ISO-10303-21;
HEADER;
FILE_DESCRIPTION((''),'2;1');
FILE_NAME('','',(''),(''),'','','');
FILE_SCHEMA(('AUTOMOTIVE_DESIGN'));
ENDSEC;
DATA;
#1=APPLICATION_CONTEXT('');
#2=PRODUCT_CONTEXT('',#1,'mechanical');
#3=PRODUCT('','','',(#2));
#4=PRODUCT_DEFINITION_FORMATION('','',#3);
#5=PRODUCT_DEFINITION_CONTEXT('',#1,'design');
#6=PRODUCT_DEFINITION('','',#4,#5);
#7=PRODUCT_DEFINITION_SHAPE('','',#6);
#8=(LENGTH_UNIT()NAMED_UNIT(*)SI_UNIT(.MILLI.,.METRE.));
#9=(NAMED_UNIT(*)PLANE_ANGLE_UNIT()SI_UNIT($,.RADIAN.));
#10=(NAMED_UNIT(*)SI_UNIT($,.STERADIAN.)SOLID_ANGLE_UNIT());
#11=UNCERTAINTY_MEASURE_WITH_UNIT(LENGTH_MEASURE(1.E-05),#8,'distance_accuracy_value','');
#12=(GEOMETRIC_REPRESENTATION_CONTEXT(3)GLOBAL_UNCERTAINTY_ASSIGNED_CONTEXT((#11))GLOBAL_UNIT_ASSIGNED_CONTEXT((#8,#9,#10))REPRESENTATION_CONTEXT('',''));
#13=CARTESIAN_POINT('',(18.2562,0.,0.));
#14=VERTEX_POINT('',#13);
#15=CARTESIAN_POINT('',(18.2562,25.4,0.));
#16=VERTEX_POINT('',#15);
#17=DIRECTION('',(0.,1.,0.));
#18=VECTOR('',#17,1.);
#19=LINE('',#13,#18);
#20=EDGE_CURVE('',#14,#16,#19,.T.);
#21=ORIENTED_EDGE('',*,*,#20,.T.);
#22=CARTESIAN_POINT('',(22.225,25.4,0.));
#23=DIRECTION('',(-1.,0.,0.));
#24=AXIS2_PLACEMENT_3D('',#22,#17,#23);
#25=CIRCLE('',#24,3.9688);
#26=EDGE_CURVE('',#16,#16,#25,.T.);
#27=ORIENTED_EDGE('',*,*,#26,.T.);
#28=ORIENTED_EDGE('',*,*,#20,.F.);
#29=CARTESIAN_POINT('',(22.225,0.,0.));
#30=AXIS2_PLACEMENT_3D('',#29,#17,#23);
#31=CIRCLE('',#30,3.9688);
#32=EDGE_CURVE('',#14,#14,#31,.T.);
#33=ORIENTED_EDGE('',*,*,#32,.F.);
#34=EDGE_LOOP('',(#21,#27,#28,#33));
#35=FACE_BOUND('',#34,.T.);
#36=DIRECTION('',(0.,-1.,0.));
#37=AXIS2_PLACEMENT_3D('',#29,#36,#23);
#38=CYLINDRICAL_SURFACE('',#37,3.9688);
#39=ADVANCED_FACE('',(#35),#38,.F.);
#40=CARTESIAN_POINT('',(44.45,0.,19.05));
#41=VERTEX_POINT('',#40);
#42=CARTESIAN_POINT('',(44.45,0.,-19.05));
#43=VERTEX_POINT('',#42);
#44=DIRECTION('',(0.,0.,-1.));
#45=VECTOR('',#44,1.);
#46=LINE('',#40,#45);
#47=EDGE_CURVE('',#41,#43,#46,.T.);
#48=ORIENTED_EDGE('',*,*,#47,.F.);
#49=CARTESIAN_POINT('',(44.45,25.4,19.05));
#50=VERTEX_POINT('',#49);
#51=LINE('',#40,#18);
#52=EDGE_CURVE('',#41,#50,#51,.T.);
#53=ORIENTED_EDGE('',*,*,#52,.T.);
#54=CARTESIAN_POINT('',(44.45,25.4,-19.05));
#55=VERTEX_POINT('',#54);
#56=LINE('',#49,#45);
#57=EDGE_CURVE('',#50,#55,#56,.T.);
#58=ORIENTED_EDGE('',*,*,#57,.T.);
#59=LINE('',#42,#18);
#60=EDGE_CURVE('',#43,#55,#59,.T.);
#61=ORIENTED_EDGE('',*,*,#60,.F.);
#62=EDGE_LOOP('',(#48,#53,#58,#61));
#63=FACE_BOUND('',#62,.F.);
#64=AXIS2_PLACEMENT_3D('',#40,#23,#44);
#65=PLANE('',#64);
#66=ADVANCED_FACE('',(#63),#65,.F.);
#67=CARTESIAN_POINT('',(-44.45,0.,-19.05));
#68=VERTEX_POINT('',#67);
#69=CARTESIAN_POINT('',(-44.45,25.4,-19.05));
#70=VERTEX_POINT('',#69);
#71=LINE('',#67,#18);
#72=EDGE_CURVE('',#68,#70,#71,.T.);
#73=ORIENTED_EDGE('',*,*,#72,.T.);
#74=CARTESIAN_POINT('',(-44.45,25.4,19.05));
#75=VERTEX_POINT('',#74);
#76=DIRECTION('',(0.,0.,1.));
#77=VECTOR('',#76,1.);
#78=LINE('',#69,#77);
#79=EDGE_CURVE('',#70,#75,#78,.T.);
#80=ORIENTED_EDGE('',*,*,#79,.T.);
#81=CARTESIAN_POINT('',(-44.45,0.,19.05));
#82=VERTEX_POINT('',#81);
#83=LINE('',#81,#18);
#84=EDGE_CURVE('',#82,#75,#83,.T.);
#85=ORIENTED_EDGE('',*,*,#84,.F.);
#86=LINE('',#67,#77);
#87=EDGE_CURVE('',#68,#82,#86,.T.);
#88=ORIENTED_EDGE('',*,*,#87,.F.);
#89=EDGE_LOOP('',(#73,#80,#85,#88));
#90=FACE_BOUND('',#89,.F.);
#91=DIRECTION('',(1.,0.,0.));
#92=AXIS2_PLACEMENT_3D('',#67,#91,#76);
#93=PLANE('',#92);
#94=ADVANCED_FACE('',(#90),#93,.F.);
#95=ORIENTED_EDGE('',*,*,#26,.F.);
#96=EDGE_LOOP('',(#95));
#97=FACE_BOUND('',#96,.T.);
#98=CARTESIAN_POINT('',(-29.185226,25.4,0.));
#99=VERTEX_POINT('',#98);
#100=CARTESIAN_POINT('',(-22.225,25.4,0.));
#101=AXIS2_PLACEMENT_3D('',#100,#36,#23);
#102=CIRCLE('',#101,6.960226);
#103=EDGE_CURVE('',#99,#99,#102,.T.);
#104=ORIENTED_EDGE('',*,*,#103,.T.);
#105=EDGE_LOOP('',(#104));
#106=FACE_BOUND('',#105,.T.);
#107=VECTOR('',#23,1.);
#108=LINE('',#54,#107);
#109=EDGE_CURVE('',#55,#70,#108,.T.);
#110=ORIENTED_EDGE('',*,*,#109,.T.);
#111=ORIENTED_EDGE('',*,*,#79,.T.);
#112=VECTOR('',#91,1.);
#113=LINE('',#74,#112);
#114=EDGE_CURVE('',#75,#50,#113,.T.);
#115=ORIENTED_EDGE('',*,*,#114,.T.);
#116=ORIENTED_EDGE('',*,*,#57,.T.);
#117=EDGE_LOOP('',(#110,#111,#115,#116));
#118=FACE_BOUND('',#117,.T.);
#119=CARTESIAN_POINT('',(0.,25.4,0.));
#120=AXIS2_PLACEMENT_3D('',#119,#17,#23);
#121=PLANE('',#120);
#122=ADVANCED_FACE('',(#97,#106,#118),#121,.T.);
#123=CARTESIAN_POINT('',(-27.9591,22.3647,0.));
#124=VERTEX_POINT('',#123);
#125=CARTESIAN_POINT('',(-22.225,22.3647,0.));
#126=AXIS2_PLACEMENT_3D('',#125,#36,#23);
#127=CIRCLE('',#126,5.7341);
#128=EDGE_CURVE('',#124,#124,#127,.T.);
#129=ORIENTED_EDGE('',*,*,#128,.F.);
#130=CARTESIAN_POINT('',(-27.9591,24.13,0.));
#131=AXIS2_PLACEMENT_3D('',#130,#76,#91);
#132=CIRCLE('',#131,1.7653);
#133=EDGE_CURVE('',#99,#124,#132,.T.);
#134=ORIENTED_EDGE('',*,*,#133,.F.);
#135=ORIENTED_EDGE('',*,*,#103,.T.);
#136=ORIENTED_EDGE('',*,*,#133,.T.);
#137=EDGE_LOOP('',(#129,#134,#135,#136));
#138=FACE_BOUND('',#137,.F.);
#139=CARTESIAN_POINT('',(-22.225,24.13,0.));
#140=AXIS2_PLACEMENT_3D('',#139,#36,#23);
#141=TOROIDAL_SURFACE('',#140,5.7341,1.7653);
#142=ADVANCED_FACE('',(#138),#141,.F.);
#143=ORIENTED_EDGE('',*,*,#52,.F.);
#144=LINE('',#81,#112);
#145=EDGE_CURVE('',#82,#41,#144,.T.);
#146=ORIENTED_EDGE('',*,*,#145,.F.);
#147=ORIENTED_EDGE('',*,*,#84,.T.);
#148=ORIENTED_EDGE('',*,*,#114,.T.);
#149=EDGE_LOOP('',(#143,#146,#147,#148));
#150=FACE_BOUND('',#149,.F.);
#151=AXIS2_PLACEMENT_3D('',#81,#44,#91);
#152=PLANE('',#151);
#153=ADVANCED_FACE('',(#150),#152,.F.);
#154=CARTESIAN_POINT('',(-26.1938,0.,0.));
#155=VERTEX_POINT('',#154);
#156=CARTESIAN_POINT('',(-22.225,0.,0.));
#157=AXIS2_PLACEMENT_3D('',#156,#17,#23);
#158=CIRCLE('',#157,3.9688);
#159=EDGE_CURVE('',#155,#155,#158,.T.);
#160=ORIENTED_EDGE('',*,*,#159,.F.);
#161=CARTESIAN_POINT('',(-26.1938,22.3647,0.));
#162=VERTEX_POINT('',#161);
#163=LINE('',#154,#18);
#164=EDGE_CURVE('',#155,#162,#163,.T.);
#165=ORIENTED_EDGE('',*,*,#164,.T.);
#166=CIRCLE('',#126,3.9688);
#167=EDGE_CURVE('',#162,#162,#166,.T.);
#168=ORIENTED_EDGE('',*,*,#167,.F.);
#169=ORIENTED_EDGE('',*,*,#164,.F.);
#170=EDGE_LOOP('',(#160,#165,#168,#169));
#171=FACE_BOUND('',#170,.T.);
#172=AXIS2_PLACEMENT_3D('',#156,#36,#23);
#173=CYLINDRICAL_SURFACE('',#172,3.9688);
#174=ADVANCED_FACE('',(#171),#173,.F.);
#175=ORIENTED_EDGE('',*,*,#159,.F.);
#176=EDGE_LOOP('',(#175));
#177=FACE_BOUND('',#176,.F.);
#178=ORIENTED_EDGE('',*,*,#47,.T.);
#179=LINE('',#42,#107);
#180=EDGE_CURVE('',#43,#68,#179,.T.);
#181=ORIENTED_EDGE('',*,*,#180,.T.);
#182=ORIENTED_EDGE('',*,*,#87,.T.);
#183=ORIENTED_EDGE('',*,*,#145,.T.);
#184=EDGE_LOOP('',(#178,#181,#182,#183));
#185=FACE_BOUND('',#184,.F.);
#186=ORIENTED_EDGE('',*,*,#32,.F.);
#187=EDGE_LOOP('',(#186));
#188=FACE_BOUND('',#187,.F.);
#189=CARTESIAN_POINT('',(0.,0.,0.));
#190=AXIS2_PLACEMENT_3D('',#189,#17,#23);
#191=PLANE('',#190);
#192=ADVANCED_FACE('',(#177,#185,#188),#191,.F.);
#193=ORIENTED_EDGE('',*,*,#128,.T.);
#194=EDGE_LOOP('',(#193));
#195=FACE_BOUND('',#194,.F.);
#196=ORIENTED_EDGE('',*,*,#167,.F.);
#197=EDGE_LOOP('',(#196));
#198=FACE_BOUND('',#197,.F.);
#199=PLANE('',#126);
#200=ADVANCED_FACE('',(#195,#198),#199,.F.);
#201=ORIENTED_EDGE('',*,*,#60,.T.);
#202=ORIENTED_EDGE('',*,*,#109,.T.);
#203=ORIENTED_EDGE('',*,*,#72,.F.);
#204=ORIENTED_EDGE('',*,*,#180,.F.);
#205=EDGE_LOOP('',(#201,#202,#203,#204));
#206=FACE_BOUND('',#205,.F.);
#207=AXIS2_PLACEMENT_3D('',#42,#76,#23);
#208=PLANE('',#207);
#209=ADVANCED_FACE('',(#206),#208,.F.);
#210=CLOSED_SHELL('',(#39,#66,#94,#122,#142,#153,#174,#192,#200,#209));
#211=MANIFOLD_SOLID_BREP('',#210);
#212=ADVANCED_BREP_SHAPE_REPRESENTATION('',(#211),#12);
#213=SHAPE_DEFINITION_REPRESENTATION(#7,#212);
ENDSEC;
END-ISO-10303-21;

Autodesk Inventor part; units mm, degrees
ref_plane "YZ Plane" through (0, 0, 0) normal (1, 0, 0) x (0, 1, 0)
ref_plane "XZ Plane" through (0, 0, 0) normal (0, 1, 0) x (-1, 0, 0)
ref_plane "XY Plane" through (0, 0, 0) normal (0, 0, 1) x (1, 0, 0)
sketch "Sketch1" plane through (0, 0, 0) normal (0, 1, 0) x (-1, 0, 0)
  line L0 (-44.45, -19.05) -> (44.45, -19.05)
  line L1 (44.45, -19.05) -> (44.45, 19.05)
  line L2 (44.45, 19.05) -> (-44.45, 19.05)
  line L3 (-44.45, 19.05) -> (-44.45, -19.05)
  line L4 (-44.45, -19.05) -> (44.45, 19.05) construction
  line L5 (44.45, -19.05) -> (-44.45, 19.05) construction
  circle A0 centre (22.225, 0) radius 3.9688
  circle A1 centre (-22.225, 0) radius 3.9688
  circle A2 centre (22.225, 0) radius 12.7
  circle A3 centre (-22.225, 0) radius 12.7
  point P0 (0, 0)
  point P1 (0, 0)
  point P2 (0, 0)
  dimension "d3" = 38.1
  dimension "d4" = 88.9
  dimension "d20" = 7.9375
  dimension "d21" = 25.4
  dimension "d22" = 22.225
  dimension "d23" = 22.225
extrude "Extrusion5" add sketch "Sketch1" along normal blind 25.4 contours L3 L2 L1 L0 | A2 | A3
sketch "Sketch8" plane through (0, 0, 0) normal (0, 0, 1) x (1, 0, 0)
  line L0 (44.45, 25.4) -> (-44.45, 25.4) projected
  circle A0 centre (-27.9591, 24.13) radius 1.7653
  line L1 (-26.1938, 25.4) -> (-18.2563, 25.4) projected
  line L2 (-18.2563, 0) -> (-26.1938, 0) projected
  line L3 (-26.1938, 0) -> (-26.1938, 25.4) projected
  line L4 (-18.2563, 0) -> (-18.2563, 25.4) projected
  line L5 (-22.225, 25.4) -> (-22.225, 0) construction
  line L6 (-44.45, 25.4) -> (-44.45, 27.8765) construction
  line L7 (-27.9591, 22.3647) -> (-22.225, 22.3647)
  line L8 (-26.7329, 25.4) -> (-22.225, 25.4) construction
  line L9 (-22.225, 22.3647) -> (-22.225, 25.4)
  line L10 (-22.225, 25.4) -> (-26.7329, 25.4)
  point P0 (0, 0)
  dimension "d34" = 3.5306
  dimension "d35" = 1.27
revolve "Revolution1" cut sketch "Sketch8" angle 360 about axis through (-22.225, 25.4, 0) along (0, -1, 0) contours L9 L7 L3 L0 | L3 A0 L0 | A0 L0 | L0 A0 | L3 L7 A0
sketch "Sketch9" plane through (0, 25.4, 0) normal (0, 1, 0) x (1, 0, 0)
  circle A0 centre (-22.225, 0) radius 6.9602 projected
  circle A1 centre (22.225, 0) radius 3.9687 projected
  line L0 (44.45, 19.05) -> (-44.45, 19.05) projected
  line L1 (-44.45, 19.05) -> (-44.45, -19.05) projected
  line L2 (-44.45, -19.05) -> (44.45, -19.05) projected
  line L3 (44.45, -19.05) -> (44.45, 19.05) projected
  circle A2 centre (-22.225, 0) radius 4.8006
  point P0 (0, 0)
  dimension "d37" = 9.6012
equation "\"d23\" = d22"
properties part number "AirPressureAndValve"
